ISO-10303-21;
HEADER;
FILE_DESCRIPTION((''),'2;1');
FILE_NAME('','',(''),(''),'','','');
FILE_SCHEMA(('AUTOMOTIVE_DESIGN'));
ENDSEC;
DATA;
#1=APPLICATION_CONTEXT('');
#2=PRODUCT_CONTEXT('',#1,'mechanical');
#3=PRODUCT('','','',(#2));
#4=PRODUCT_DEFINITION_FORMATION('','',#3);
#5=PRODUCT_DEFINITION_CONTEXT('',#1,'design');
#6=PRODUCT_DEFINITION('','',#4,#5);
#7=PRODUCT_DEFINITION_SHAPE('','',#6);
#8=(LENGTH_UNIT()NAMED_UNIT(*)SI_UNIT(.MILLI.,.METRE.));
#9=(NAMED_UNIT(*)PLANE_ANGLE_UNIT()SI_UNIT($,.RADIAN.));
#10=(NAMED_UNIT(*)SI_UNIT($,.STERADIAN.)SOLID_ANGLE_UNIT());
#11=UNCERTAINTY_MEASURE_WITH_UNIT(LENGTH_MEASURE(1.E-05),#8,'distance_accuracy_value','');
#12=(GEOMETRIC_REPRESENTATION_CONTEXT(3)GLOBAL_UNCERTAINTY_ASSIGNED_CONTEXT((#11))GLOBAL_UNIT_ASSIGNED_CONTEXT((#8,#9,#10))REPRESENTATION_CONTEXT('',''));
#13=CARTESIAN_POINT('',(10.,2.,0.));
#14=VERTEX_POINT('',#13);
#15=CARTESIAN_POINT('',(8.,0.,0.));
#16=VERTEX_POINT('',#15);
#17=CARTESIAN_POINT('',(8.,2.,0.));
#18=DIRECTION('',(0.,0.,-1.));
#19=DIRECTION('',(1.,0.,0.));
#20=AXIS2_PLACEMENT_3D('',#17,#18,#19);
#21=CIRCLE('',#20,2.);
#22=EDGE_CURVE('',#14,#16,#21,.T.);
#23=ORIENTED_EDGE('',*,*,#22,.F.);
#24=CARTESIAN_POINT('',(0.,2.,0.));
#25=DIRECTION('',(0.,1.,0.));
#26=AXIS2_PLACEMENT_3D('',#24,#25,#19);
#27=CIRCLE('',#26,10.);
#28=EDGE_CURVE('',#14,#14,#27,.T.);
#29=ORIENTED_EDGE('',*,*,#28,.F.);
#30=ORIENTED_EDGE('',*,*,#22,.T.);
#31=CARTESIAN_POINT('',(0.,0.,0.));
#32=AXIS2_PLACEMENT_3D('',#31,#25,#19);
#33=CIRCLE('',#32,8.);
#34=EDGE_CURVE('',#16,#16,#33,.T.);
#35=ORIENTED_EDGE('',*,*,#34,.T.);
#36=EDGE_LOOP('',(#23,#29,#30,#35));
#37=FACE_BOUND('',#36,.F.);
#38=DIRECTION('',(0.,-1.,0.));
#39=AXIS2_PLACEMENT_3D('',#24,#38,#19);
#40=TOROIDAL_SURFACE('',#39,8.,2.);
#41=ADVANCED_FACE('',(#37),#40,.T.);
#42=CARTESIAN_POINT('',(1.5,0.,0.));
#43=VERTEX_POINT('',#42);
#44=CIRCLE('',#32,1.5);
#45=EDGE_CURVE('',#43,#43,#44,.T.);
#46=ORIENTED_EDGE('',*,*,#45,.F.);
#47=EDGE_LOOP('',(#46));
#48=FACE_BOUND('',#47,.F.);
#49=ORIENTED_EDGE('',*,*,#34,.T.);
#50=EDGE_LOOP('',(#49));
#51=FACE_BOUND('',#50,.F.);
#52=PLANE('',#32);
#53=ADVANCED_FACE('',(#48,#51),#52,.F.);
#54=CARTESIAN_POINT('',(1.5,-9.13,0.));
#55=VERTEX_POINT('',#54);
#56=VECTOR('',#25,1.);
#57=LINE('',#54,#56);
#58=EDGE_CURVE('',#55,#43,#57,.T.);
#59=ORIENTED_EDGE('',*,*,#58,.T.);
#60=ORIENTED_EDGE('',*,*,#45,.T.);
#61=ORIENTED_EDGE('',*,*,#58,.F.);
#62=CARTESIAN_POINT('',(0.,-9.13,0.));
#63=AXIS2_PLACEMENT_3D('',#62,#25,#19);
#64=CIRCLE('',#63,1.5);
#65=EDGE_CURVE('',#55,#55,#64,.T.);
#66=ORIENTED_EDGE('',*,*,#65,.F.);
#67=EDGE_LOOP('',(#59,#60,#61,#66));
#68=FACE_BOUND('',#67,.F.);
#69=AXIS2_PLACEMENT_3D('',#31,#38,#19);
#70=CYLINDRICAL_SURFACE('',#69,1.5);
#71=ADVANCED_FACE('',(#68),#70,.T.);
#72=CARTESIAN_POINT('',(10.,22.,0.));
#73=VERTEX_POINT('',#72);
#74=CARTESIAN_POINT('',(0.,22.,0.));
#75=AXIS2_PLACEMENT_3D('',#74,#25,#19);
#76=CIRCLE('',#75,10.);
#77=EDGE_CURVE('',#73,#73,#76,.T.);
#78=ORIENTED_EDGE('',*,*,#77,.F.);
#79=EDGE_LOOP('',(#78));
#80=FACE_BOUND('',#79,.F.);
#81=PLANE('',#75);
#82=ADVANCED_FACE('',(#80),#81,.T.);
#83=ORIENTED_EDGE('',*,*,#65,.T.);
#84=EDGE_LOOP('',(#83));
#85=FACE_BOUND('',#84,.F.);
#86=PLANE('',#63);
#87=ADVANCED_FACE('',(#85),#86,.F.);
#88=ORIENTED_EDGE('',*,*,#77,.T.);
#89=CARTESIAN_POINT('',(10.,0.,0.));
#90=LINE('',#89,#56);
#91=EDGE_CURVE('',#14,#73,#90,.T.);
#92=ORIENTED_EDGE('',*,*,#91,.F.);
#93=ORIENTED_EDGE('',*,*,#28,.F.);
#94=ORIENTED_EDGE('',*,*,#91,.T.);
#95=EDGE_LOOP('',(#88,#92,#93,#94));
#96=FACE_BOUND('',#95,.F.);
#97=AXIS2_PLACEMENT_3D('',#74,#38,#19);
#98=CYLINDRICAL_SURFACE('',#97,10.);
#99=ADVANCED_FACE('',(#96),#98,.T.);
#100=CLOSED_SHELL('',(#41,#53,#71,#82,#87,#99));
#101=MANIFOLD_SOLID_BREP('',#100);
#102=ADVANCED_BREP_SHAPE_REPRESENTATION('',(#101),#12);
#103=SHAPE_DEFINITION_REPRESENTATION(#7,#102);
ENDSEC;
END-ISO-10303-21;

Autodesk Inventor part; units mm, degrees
ref_plane "YZ Plane" through (0, 0, 0) normal (1, 0, 0) x (0, 1, 0)
ref_plane "XZ Plane" through (0, 0, 0) normal (0, 1, 0) x (-1, 0, 0)
ref_plane "XY Plane" through (0, 0, 0) normal (0, 0, 1) x (1, 0, 0)
sketch "Esboço1" plane through (0, 0, 0) normal (0, 0, 1) x (1, 0, 0)
  line L0 (0, 0) -> (0, 22)
  line L1 (0, 22) -> (10, 22)
  line L2 (10, 22) -> (10, 19.8993)
  line L3 (10, 19.8993) -> (10, 0)
  line L4 (10, 0) -> (0, 0)
  line L5 (0, 0) -> (1.5, 0)
  line L6 (1.5, 0) -> (1.5, -9.13)
  line L7 (1.5, -9.13) -> (0, -9.13)
  line L8 (0, -9.13) -> (0, 0)
  line L9 (1.5, 0) -> (1.5, -1)
  line L10 (1.5, -1) -> (4.5, -1)
  line L11 (4.5, -1) -> (4.5, -6.8)
  line L12 (4.5, -6.8) -> (1.5, -6.8)
  line L13 (1.5, -6.8) -> (1.5, -1)
  line L14 (1.5, -6.8) -> (0, -6.8)
  line L15 (0, -1) -> (1.5, -1)
  line L16 (4.5, -1) -> (4.5, -3.025)
  line L17 (4.5, -3.025) -> (6.5557, -3.025)
  line L18 (6.5557, -3.025) -> (6.5557, -4.795)
  dimension "d0" = 22
  dimension "d1" = 10
  dimension "d2" = 1.5
  dimension "d4" = 9.13
  dimension "d7" = 1
  dimension "d8" = 3
  dimension "d9" = 5.8
  dimension "d10" = 2.025
  dimension "d11" = 1.77
revolve "Revolução1" add sketch "Esboço1" angle 360 about axis through (0, 0, 0) along (0, 1, 0) contours L0 L1 L2 L3 L4 | L4 L6 L15 L8 | L15 L6 L14 L8 | L14 L6 L7 L8
fillet "Arredondamento1" radius 2 1 edges at (-10, 0, 0)
properties part number "motor_ven"
